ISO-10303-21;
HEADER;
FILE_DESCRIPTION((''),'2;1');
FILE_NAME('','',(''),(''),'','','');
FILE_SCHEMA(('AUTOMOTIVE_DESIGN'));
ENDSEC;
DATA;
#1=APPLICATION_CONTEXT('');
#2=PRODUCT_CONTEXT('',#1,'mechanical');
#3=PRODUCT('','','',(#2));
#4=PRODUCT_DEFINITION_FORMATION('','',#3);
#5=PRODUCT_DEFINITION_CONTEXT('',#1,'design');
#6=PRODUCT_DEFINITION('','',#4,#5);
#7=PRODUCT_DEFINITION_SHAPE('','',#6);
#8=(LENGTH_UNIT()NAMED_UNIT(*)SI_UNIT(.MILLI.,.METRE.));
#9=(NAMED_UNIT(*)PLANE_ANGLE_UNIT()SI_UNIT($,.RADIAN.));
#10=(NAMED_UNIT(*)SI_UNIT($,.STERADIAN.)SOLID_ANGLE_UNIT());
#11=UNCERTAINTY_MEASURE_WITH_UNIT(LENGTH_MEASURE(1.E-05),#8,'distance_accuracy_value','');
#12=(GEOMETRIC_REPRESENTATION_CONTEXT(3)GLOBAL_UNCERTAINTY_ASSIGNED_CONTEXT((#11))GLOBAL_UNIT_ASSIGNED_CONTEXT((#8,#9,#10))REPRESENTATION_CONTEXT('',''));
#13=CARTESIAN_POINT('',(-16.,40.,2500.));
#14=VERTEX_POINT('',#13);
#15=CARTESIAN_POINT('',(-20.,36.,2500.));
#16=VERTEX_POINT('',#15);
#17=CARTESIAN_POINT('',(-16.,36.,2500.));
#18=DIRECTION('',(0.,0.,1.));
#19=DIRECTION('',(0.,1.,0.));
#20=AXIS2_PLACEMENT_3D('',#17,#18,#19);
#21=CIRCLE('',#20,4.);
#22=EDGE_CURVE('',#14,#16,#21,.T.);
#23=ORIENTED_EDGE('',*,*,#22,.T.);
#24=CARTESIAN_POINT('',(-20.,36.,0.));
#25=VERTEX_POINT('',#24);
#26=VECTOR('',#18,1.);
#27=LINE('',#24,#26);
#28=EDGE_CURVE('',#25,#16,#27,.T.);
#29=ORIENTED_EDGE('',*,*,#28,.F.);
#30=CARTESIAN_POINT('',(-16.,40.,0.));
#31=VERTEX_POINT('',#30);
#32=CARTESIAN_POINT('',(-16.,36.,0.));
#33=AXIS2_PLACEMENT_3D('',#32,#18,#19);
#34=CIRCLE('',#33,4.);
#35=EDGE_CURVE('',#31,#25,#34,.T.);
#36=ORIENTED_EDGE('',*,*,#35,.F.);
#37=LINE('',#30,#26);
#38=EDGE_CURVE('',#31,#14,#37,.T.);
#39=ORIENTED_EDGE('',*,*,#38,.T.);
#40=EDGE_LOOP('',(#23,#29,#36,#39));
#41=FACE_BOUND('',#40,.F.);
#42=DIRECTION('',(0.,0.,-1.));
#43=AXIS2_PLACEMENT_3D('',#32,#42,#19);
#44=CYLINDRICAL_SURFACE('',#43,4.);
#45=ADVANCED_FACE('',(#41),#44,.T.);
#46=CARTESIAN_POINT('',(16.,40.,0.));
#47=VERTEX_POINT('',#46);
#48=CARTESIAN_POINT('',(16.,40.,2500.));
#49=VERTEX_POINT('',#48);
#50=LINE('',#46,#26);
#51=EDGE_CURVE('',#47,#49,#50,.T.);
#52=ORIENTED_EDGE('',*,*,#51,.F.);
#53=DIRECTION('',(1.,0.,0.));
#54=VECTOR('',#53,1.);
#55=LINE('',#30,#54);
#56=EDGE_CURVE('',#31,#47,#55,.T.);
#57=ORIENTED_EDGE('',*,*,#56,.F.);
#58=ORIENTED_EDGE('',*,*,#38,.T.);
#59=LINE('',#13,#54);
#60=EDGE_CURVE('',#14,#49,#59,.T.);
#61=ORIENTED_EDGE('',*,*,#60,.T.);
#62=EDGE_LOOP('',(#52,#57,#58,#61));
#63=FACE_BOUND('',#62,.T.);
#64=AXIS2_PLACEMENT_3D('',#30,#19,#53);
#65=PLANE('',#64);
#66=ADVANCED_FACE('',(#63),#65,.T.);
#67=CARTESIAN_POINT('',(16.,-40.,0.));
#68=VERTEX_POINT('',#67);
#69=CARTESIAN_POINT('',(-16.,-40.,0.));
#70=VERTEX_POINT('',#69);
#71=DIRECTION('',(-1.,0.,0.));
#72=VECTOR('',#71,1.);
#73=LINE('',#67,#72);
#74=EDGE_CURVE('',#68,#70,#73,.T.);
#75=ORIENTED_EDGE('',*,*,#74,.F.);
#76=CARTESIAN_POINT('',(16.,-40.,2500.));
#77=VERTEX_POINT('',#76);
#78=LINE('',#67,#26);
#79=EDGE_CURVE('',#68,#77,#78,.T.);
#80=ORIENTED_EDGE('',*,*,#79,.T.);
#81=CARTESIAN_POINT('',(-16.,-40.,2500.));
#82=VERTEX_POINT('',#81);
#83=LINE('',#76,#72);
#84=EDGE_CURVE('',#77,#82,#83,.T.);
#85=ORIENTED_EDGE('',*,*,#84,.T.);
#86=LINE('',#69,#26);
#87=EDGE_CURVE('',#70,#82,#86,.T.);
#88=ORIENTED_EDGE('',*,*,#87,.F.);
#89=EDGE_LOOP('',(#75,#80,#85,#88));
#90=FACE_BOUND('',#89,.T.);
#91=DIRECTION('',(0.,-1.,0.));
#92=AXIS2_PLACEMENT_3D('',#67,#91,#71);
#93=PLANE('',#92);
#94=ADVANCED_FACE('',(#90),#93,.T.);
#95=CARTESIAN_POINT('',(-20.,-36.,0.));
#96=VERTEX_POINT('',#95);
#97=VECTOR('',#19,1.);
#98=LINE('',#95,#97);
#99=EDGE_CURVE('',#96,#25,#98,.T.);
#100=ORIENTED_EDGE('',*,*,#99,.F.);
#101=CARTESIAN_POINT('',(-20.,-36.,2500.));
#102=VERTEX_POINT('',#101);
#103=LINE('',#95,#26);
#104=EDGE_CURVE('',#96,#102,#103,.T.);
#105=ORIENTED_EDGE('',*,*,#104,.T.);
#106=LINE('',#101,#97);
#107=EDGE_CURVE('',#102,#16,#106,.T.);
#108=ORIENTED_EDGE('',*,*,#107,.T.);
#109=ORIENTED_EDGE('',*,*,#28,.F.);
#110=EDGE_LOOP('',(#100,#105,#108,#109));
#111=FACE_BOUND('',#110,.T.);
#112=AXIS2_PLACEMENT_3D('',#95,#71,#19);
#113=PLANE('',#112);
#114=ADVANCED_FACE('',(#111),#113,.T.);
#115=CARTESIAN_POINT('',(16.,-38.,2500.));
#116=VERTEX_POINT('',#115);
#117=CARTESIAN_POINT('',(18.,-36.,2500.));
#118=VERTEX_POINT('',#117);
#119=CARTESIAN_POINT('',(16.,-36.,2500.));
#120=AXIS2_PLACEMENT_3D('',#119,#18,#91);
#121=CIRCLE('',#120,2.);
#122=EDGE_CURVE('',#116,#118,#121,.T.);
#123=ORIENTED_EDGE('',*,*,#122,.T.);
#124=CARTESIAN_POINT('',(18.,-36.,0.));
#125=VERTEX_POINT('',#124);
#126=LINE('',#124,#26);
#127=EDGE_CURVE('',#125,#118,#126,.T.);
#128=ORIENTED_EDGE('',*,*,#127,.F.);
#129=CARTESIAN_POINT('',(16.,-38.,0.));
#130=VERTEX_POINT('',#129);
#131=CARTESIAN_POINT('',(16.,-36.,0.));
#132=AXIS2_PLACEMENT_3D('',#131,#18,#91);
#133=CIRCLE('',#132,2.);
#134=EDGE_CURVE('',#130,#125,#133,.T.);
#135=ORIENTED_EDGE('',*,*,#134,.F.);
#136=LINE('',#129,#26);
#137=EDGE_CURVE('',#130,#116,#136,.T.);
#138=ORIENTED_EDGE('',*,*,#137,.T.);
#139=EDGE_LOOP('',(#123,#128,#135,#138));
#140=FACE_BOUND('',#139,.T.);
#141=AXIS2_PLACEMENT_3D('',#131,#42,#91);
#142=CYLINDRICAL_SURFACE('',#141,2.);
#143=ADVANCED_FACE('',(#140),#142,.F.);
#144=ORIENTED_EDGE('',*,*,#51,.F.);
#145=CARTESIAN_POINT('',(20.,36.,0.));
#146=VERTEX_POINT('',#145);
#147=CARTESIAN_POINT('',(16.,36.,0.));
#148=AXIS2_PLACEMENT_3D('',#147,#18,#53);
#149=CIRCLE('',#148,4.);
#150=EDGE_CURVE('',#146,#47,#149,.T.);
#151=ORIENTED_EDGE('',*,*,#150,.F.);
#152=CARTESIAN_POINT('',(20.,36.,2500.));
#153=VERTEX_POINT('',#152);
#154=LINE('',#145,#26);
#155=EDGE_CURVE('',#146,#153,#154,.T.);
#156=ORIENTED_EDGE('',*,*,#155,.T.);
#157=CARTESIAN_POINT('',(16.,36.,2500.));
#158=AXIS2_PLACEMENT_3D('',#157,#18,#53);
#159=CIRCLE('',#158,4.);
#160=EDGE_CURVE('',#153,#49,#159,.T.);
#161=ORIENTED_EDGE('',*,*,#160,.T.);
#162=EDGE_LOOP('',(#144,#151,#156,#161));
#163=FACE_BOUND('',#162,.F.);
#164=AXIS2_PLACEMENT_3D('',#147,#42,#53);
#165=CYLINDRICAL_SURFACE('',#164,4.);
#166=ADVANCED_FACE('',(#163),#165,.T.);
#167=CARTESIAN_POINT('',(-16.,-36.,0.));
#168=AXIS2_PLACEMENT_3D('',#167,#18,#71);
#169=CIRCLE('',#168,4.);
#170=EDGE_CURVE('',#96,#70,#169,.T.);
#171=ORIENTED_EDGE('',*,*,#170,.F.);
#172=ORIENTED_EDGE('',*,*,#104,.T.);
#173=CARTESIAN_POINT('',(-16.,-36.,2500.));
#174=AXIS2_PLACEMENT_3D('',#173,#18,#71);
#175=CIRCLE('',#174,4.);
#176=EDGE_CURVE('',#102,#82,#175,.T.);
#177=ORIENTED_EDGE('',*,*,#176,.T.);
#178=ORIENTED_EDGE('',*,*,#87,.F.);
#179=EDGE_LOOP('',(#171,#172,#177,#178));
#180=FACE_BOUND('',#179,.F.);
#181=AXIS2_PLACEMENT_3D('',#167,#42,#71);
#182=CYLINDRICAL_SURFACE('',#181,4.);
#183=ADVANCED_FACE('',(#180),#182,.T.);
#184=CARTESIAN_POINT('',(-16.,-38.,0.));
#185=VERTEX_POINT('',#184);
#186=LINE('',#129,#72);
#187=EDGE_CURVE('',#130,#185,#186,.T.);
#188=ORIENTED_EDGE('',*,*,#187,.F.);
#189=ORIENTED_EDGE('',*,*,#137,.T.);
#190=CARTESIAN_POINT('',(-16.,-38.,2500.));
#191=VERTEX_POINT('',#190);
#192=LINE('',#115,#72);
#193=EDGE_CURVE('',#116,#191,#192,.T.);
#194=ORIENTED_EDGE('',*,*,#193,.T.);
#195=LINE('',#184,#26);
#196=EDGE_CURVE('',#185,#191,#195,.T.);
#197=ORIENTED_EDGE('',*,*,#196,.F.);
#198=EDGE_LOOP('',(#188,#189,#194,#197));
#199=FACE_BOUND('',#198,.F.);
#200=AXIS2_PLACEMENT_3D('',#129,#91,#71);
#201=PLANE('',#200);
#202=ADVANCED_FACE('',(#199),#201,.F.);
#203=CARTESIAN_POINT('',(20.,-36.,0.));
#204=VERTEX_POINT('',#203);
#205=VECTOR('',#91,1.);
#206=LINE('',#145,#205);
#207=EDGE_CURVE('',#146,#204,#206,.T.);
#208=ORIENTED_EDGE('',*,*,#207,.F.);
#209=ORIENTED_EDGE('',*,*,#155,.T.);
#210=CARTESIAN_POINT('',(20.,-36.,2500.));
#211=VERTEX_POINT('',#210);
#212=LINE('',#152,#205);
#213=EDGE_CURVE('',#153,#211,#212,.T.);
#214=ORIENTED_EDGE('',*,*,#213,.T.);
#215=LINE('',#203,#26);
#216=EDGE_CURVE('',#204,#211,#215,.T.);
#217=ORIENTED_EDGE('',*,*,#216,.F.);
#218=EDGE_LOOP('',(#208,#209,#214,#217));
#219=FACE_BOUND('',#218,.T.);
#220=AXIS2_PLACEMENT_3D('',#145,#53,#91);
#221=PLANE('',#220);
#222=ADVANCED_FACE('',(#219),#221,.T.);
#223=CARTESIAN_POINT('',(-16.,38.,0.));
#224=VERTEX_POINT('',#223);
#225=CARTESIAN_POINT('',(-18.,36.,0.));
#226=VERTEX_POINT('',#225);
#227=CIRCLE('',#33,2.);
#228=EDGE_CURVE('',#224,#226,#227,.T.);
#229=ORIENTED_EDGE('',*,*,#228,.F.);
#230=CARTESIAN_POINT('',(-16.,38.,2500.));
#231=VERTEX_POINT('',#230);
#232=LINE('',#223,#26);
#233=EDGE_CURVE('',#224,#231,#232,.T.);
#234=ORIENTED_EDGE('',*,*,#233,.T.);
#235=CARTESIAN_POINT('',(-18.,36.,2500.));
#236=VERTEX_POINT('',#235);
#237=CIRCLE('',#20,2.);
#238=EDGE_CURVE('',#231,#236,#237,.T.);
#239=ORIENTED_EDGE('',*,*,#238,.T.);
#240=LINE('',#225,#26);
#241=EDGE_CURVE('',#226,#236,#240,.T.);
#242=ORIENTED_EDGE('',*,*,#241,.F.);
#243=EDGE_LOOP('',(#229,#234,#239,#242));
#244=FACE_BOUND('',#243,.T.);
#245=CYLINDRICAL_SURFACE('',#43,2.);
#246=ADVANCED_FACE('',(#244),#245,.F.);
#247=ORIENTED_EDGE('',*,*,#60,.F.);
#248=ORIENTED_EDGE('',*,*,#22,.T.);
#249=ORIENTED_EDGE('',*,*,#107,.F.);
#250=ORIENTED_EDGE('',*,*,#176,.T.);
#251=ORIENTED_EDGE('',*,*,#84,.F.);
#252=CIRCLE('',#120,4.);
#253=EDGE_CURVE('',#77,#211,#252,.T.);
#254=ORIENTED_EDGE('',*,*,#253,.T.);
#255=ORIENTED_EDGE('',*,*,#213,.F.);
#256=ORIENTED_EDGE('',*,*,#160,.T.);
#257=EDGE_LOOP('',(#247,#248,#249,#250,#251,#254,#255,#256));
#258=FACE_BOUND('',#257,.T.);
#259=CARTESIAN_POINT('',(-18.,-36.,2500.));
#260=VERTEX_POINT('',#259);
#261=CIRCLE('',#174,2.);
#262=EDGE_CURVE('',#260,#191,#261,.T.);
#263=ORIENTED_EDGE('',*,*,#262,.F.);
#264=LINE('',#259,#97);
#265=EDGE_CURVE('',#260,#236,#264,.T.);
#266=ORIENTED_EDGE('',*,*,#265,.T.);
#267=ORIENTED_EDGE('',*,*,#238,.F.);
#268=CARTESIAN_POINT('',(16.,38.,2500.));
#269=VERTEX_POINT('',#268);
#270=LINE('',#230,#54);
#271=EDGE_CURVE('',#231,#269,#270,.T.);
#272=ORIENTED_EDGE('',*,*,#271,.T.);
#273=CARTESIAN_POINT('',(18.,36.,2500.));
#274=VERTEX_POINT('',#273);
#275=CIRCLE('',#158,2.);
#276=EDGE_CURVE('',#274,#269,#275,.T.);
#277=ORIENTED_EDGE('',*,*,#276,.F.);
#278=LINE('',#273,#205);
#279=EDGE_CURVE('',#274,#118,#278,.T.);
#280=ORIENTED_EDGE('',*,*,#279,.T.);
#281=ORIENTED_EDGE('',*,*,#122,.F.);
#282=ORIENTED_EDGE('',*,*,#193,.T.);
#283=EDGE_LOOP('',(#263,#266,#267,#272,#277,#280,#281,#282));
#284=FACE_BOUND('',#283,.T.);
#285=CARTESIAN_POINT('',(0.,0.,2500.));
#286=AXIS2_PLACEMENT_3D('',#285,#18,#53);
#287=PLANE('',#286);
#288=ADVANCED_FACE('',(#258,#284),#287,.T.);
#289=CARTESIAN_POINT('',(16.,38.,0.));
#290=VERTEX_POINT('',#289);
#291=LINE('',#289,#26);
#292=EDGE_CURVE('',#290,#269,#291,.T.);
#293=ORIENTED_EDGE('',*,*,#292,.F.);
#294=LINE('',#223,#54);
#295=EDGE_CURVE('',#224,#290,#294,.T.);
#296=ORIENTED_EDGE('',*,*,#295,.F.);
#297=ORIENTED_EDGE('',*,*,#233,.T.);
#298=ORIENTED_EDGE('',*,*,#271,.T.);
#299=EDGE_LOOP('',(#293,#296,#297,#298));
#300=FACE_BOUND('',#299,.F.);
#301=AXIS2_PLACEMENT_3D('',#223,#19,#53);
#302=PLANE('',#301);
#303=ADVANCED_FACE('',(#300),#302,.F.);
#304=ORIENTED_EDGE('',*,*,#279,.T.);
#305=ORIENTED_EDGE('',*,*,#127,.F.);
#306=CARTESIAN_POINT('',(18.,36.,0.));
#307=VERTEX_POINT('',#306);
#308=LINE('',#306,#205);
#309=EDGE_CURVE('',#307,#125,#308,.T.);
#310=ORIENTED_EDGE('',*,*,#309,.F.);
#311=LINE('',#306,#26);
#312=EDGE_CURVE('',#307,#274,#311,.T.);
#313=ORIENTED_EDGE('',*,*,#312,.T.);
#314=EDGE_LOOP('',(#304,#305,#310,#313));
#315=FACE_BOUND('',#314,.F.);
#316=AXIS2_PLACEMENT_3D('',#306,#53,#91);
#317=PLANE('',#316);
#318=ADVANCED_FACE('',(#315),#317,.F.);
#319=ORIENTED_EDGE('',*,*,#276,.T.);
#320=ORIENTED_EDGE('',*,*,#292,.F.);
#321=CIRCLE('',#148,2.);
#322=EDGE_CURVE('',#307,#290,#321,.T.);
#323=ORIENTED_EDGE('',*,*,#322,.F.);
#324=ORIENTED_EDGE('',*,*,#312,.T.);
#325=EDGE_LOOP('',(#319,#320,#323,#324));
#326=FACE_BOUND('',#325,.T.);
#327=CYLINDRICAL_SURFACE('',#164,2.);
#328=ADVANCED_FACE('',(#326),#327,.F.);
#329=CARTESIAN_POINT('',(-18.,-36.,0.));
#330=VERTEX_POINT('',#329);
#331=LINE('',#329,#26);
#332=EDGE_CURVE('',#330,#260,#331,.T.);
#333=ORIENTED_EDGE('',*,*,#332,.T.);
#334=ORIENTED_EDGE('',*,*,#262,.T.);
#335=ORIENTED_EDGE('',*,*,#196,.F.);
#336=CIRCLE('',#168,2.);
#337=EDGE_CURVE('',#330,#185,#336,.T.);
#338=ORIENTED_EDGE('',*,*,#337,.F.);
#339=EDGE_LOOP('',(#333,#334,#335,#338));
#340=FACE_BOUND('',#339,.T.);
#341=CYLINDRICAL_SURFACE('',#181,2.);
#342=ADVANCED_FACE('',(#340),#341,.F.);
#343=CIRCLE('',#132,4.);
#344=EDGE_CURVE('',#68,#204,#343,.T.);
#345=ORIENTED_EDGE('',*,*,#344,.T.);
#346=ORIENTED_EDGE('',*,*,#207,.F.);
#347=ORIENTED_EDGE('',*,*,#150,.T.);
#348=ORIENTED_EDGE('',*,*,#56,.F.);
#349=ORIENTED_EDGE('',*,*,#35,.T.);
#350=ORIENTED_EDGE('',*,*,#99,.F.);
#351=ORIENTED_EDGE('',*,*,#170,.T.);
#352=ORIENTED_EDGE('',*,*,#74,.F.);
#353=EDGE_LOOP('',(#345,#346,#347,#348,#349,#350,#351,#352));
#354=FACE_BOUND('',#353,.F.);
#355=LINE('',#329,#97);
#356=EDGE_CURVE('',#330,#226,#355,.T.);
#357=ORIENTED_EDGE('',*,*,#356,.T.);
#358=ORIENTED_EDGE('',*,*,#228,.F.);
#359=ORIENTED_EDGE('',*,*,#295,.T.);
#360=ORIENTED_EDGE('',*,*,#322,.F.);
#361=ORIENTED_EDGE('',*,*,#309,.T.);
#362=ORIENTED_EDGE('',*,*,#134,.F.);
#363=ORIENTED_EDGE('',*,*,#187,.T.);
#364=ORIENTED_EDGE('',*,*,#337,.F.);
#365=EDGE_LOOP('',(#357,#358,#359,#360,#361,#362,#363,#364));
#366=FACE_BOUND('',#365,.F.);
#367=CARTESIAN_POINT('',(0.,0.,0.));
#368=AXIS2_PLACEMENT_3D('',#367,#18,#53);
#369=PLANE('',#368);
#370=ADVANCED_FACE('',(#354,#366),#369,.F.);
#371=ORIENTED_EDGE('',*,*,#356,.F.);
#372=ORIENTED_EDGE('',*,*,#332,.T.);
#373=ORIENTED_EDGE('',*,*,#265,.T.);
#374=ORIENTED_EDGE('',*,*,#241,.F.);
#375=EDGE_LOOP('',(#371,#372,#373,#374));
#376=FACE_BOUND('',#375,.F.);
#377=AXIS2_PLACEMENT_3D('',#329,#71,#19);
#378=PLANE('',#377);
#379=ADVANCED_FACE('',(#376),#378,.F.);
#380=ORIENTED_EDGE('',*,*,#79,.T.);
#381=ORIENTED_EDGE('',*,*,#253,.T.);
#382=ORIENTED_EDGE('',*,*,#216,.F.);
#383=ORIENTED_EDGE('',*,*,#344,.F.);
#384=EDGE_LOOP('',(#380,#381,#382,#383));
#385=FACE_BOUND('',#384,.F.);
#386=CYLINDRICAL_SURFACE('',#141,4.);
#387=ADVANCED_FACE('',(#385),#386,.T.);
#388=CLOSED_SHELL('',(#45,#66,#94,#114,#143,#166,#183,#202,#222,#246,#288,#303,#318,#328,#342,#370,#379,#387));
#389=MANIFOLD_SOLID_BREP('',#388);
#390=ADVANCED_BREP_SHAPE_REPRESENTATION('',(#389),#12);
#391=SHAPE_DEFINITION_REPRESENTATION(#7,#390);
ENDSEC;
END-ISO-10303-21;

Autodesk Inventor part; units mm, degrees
ref_plane "YZ Plane" through (0, 0, 0) normal (1, 0, 0) x (0, 1, 0)
ref_plane "Start plane" through (0, 0, 0) normal (0, 0, 1) x (1, 0, 0)
ref_plane "End plane" through (0, 0, 2500) normal (0, 0, 1) x (1, 0, 0)
sketch "Sketch" plane through (0, 0, 0) normal (0, 0, 1) x (1, 0, 0)
  line L0 (-20, -36) -> (-20, 36)
  line L1 (-16, 40) -> (16, 40)
  line L2 (20, 36) -> (20, -36)
  line L3 (16, -40) -> (-16, -40)
  arc A0 (-20, -36) -> (-16, -40) centre (-16, -36) ccw
  arc A1 (20, 36) -> (16, 40) centre (16, 36) ccw
  arc A2 (-16, 40) -> (-20, 36) centre (-16, 36) ccw
  arc A3 (16, -40) -> (20, -36) centre (16, -36) ccw
  arc A4 (-16, 38) -> (-18, 36) centre (-16, 36) ccw
  line L4 (-16, 38) -> (16, 38)
  arc A5 (18, 36) -> (16, 38) centre (16, 36) ccw
  line L5 (18, 36) -> (18, -36)
  arc A6 (16, -38) -> (18, -36) centre (16, -36) ccw
  line L6 (16, -38) -> (-16, -38)
  arc A7 (-18, -36) -> (-16, -38) centre (-16, -36) ccw
  line L7 (-18, -36) -> (-18, 36)
  line L8 (0, 37.1021) -> (0, -37.1021) construction
  line L9 (-23.1021, 0) -> (23.1021, 0) construction
  dimension "d7" = 4
  dimension "d9" = 40
  dimension "d11" = 80
  dimension "d12" = 2
  dimension "d15" = 20
  dimension "d16" = 40
extrude "Body" add sketch "Sketch" along normal up to surface (2500 mm away) from surface at 0
sketch "Sketch3" plane through (0, 0, 0) normal (0, 0, 1) x (1, 0, 0)
  line L0 (0, 0) -> (10, 0)
ref_plane "Work Plane3" through (0, 0, 0) normal (0, -1, 0) x (1, 0, 0)
sketch "Sketch4" plane through (0, 0, 0) normal (0, -1, 0) x (1, 0, 0)
  line L0 (-2, 0) -> (12, 0) projected
  line L1 (-2, 2500) -> (12, 2500) projected
  dimension "d18" = 2500
equation "\"d7\" = G_IR"
equation "\"d9\" = G_W"
equation "\"d11\" = G_H"
equation "\"d12\" = G_T"
equation "\"d15\" = 0.5 * d9"
equation "\"d16\" = 0.5 * d11"
equation "\"d3\" = G_L"
equation "\"G_W\" = 40"
equation "\"G_H\" = 80"
equation "\"G_T\" = 2"
equation "\"G_IR\" = 4"
equation "\"G_L\" = d18"
equation "\"G_OFFSET_START\" = 0"
equation "\"G_OFFSET_END\" = 0"
properties part number "ISO 4019 - 80x40x2 - 2500" material "Steel, Mild"
